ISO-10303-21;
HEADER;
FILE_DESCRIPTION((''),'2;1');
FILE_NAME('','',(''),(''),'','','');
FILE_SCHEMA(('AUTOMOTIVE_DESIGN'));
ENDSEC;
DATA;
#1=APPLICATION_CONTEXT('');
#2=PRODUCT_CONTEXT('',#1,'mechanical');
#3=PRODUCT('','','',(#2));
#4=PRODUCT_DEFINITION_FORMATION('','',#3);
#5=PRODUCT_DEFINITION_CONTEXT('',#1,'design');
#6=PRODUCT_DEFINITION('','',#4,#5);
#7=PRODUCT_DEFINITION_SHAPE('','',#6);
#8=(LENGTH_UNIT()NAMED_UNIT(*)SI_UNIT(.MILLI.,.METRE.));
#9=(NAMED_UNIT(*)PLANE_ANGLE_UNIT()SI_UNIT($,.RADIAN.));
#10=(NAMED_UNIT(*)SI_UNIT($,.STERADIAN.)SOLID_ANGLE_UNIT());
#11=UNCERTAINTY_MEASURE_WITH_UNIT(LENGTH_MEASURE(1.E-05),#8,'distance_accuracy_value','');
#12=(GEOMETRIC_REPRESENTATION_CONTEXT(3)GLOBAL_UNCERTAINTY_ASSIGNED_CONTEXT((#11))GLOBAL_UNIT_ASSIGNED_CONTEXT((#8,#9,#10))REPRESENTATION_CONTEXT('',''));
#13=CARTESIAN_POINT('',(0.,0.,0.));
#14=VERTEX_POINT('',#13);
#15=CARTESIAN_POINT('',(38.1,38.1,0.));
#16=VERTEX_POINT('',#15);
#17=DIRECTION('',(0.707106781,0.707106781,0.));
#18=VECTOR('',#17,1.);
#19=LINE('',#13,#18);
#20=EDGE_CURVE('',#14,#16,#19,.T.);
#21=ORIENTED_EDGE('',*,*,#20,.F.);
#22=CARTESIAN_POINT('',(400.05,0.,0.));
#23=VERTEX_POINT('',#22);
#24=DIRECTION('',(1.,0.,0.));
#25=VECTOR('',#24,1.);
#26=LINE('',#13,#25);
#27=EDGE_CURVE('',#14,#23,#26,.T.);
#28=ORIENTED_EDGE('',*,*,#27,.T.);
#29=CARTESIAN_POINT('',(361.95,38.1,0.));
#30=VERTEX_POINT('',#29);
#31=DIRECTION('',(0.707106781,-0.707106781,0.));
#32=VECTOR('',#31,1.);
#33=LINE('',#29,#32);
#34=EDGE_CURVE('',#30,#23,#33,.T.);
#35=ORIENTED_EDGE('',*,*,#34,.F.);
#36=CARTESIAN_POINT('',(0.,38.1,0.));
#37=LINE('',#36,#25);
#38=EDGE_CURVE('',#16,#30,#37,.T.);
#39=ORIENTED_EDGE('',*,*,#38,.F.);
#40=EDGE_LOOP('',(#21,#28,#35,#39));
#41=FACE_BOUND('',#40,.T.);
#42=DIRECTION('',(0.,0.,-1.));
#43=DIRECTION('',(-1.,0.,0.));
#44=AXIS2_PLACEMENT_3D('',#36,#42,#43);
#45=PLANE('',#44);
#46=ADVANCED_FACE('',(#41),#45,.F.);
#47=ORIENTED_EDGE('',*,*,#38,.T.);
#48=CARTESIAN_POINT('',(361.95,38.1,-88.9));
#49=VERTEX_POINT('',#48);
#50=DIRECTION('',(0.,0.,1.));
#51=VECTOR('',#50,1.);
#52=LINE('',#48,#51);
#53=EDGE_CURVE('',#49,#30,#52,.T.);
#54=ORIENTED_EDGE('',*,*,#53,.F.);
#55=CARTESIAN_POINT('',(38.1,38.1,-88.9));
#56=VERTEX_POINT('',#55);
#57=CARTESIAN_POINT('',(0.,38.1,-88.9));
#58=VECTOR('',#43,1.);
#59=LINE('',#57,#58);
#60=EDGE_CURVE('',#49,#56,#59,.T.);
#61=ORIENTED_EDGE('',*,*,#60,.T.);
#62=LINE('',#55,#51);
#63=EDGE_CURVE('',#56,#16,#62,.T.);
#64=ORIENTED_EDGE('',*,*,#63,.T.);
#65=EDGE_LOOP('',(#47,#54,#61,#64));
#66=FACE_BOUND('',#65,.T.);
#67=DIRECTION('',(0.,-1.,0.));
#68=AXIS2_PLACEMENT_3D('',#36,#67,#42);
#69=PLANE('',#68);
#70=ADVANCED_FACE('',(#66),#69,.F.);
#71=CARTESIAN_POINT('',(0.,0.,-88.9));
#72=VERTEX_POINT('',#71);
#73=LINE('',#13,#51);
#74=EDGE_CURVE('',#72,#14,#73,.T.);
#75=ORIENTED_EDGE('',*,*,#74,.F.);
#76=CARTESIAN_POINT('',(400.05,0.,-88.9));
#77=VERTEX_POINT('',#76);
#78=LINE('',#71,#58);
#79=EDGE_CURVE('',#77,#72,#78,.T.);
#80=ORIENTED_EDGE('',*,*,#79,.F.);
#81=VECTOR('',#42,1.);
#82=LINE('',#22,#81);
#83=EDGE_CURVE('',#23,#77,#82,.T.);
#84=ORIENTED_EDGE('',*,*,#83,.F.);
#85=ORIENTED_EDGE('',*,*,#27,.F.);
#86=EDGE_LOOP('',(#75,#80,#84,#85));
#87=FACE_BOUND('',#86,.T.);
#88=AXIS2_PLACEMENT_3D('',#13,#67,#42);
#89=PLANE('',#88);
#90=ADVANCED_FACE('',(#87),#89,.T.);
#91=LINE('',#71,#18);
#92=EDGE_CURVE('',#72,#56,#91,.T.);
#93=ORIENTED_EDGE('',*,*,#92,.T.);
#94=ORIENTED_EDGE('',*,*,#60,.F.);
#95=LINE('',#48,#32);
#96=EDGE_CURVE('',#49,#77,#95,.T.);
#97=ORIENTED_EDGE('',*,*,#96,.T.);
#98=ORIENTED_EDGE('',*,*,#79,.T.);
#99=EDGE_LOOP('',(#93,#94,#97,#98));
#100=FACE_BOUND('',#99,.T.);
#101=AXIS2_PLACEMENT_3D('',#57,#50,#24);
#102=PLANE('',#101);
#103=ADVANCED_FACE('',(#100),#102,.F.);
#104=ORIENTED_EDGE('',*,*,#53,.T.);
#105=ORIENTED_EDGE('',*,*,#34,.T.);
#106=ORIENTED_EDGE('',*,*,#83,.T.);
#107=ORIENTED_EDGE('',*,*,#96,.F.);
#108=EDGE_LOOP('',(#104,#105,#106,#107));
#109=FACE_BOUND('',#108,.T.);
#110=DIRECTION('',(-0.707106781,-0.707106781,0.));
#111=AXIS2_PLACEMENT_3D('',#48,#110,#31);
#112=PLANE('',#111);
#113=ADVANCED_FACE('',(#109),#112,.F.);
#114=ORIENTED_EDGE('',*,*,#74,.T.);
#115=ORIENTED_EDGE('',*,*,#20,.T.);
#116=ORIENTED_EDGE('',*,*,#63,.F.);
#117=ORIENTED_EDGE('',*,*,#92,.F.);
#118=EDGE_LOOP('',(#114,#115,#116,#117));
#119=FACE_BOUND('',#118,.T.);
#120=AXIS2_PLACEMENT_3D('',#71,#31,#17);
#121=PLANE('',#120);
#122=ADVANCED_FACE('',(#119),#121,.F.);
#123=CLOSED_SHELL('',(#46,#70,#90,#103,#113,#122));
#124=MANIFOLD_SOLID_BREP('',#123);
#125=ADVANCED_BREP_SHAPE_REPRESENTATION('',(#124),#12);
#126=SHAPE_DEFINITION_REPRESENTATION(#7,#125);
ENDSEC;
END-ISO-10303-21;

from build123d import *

# Parameters (mm, degrees)
SKETCH1_W           = 400.05
SKETCH1_H           = 88.9
BOSS_EXTRUDE1_DEPTH = 38.1
CUT_EXTRUDE1_DEPTH  = 89.9


with BuildPart() as part:
    # Sketch1 → Boss-Extrude1 (new body)
    with BuildSketch(Plane(origin=(0, 0, 0), x_dir=(1, 0, 0), z_dir=(0, 1, 0))):
        with Locations((200.025, 44.45)):
            Rectangle(SKETCH1_W, SKETCH1_H)
    extrude(amount=BOSS_EXTRUDE1_DEPTH)

    # Sketch2 → Cut-Extrude1 (cut, through all)
    with BuildSketch(Plane.XY):
        Polygon((0, 0), (38.1, 38.1), (0, 38.1), align=None)
        Polygon((400.05, 0), (400.05, 38.1), (361.95, 38.1), align=None)
    extrude(amount=-CUT_EXTRUDE1_DEPTH, mode=Mode.SUBTRACT)


solid = part.part
